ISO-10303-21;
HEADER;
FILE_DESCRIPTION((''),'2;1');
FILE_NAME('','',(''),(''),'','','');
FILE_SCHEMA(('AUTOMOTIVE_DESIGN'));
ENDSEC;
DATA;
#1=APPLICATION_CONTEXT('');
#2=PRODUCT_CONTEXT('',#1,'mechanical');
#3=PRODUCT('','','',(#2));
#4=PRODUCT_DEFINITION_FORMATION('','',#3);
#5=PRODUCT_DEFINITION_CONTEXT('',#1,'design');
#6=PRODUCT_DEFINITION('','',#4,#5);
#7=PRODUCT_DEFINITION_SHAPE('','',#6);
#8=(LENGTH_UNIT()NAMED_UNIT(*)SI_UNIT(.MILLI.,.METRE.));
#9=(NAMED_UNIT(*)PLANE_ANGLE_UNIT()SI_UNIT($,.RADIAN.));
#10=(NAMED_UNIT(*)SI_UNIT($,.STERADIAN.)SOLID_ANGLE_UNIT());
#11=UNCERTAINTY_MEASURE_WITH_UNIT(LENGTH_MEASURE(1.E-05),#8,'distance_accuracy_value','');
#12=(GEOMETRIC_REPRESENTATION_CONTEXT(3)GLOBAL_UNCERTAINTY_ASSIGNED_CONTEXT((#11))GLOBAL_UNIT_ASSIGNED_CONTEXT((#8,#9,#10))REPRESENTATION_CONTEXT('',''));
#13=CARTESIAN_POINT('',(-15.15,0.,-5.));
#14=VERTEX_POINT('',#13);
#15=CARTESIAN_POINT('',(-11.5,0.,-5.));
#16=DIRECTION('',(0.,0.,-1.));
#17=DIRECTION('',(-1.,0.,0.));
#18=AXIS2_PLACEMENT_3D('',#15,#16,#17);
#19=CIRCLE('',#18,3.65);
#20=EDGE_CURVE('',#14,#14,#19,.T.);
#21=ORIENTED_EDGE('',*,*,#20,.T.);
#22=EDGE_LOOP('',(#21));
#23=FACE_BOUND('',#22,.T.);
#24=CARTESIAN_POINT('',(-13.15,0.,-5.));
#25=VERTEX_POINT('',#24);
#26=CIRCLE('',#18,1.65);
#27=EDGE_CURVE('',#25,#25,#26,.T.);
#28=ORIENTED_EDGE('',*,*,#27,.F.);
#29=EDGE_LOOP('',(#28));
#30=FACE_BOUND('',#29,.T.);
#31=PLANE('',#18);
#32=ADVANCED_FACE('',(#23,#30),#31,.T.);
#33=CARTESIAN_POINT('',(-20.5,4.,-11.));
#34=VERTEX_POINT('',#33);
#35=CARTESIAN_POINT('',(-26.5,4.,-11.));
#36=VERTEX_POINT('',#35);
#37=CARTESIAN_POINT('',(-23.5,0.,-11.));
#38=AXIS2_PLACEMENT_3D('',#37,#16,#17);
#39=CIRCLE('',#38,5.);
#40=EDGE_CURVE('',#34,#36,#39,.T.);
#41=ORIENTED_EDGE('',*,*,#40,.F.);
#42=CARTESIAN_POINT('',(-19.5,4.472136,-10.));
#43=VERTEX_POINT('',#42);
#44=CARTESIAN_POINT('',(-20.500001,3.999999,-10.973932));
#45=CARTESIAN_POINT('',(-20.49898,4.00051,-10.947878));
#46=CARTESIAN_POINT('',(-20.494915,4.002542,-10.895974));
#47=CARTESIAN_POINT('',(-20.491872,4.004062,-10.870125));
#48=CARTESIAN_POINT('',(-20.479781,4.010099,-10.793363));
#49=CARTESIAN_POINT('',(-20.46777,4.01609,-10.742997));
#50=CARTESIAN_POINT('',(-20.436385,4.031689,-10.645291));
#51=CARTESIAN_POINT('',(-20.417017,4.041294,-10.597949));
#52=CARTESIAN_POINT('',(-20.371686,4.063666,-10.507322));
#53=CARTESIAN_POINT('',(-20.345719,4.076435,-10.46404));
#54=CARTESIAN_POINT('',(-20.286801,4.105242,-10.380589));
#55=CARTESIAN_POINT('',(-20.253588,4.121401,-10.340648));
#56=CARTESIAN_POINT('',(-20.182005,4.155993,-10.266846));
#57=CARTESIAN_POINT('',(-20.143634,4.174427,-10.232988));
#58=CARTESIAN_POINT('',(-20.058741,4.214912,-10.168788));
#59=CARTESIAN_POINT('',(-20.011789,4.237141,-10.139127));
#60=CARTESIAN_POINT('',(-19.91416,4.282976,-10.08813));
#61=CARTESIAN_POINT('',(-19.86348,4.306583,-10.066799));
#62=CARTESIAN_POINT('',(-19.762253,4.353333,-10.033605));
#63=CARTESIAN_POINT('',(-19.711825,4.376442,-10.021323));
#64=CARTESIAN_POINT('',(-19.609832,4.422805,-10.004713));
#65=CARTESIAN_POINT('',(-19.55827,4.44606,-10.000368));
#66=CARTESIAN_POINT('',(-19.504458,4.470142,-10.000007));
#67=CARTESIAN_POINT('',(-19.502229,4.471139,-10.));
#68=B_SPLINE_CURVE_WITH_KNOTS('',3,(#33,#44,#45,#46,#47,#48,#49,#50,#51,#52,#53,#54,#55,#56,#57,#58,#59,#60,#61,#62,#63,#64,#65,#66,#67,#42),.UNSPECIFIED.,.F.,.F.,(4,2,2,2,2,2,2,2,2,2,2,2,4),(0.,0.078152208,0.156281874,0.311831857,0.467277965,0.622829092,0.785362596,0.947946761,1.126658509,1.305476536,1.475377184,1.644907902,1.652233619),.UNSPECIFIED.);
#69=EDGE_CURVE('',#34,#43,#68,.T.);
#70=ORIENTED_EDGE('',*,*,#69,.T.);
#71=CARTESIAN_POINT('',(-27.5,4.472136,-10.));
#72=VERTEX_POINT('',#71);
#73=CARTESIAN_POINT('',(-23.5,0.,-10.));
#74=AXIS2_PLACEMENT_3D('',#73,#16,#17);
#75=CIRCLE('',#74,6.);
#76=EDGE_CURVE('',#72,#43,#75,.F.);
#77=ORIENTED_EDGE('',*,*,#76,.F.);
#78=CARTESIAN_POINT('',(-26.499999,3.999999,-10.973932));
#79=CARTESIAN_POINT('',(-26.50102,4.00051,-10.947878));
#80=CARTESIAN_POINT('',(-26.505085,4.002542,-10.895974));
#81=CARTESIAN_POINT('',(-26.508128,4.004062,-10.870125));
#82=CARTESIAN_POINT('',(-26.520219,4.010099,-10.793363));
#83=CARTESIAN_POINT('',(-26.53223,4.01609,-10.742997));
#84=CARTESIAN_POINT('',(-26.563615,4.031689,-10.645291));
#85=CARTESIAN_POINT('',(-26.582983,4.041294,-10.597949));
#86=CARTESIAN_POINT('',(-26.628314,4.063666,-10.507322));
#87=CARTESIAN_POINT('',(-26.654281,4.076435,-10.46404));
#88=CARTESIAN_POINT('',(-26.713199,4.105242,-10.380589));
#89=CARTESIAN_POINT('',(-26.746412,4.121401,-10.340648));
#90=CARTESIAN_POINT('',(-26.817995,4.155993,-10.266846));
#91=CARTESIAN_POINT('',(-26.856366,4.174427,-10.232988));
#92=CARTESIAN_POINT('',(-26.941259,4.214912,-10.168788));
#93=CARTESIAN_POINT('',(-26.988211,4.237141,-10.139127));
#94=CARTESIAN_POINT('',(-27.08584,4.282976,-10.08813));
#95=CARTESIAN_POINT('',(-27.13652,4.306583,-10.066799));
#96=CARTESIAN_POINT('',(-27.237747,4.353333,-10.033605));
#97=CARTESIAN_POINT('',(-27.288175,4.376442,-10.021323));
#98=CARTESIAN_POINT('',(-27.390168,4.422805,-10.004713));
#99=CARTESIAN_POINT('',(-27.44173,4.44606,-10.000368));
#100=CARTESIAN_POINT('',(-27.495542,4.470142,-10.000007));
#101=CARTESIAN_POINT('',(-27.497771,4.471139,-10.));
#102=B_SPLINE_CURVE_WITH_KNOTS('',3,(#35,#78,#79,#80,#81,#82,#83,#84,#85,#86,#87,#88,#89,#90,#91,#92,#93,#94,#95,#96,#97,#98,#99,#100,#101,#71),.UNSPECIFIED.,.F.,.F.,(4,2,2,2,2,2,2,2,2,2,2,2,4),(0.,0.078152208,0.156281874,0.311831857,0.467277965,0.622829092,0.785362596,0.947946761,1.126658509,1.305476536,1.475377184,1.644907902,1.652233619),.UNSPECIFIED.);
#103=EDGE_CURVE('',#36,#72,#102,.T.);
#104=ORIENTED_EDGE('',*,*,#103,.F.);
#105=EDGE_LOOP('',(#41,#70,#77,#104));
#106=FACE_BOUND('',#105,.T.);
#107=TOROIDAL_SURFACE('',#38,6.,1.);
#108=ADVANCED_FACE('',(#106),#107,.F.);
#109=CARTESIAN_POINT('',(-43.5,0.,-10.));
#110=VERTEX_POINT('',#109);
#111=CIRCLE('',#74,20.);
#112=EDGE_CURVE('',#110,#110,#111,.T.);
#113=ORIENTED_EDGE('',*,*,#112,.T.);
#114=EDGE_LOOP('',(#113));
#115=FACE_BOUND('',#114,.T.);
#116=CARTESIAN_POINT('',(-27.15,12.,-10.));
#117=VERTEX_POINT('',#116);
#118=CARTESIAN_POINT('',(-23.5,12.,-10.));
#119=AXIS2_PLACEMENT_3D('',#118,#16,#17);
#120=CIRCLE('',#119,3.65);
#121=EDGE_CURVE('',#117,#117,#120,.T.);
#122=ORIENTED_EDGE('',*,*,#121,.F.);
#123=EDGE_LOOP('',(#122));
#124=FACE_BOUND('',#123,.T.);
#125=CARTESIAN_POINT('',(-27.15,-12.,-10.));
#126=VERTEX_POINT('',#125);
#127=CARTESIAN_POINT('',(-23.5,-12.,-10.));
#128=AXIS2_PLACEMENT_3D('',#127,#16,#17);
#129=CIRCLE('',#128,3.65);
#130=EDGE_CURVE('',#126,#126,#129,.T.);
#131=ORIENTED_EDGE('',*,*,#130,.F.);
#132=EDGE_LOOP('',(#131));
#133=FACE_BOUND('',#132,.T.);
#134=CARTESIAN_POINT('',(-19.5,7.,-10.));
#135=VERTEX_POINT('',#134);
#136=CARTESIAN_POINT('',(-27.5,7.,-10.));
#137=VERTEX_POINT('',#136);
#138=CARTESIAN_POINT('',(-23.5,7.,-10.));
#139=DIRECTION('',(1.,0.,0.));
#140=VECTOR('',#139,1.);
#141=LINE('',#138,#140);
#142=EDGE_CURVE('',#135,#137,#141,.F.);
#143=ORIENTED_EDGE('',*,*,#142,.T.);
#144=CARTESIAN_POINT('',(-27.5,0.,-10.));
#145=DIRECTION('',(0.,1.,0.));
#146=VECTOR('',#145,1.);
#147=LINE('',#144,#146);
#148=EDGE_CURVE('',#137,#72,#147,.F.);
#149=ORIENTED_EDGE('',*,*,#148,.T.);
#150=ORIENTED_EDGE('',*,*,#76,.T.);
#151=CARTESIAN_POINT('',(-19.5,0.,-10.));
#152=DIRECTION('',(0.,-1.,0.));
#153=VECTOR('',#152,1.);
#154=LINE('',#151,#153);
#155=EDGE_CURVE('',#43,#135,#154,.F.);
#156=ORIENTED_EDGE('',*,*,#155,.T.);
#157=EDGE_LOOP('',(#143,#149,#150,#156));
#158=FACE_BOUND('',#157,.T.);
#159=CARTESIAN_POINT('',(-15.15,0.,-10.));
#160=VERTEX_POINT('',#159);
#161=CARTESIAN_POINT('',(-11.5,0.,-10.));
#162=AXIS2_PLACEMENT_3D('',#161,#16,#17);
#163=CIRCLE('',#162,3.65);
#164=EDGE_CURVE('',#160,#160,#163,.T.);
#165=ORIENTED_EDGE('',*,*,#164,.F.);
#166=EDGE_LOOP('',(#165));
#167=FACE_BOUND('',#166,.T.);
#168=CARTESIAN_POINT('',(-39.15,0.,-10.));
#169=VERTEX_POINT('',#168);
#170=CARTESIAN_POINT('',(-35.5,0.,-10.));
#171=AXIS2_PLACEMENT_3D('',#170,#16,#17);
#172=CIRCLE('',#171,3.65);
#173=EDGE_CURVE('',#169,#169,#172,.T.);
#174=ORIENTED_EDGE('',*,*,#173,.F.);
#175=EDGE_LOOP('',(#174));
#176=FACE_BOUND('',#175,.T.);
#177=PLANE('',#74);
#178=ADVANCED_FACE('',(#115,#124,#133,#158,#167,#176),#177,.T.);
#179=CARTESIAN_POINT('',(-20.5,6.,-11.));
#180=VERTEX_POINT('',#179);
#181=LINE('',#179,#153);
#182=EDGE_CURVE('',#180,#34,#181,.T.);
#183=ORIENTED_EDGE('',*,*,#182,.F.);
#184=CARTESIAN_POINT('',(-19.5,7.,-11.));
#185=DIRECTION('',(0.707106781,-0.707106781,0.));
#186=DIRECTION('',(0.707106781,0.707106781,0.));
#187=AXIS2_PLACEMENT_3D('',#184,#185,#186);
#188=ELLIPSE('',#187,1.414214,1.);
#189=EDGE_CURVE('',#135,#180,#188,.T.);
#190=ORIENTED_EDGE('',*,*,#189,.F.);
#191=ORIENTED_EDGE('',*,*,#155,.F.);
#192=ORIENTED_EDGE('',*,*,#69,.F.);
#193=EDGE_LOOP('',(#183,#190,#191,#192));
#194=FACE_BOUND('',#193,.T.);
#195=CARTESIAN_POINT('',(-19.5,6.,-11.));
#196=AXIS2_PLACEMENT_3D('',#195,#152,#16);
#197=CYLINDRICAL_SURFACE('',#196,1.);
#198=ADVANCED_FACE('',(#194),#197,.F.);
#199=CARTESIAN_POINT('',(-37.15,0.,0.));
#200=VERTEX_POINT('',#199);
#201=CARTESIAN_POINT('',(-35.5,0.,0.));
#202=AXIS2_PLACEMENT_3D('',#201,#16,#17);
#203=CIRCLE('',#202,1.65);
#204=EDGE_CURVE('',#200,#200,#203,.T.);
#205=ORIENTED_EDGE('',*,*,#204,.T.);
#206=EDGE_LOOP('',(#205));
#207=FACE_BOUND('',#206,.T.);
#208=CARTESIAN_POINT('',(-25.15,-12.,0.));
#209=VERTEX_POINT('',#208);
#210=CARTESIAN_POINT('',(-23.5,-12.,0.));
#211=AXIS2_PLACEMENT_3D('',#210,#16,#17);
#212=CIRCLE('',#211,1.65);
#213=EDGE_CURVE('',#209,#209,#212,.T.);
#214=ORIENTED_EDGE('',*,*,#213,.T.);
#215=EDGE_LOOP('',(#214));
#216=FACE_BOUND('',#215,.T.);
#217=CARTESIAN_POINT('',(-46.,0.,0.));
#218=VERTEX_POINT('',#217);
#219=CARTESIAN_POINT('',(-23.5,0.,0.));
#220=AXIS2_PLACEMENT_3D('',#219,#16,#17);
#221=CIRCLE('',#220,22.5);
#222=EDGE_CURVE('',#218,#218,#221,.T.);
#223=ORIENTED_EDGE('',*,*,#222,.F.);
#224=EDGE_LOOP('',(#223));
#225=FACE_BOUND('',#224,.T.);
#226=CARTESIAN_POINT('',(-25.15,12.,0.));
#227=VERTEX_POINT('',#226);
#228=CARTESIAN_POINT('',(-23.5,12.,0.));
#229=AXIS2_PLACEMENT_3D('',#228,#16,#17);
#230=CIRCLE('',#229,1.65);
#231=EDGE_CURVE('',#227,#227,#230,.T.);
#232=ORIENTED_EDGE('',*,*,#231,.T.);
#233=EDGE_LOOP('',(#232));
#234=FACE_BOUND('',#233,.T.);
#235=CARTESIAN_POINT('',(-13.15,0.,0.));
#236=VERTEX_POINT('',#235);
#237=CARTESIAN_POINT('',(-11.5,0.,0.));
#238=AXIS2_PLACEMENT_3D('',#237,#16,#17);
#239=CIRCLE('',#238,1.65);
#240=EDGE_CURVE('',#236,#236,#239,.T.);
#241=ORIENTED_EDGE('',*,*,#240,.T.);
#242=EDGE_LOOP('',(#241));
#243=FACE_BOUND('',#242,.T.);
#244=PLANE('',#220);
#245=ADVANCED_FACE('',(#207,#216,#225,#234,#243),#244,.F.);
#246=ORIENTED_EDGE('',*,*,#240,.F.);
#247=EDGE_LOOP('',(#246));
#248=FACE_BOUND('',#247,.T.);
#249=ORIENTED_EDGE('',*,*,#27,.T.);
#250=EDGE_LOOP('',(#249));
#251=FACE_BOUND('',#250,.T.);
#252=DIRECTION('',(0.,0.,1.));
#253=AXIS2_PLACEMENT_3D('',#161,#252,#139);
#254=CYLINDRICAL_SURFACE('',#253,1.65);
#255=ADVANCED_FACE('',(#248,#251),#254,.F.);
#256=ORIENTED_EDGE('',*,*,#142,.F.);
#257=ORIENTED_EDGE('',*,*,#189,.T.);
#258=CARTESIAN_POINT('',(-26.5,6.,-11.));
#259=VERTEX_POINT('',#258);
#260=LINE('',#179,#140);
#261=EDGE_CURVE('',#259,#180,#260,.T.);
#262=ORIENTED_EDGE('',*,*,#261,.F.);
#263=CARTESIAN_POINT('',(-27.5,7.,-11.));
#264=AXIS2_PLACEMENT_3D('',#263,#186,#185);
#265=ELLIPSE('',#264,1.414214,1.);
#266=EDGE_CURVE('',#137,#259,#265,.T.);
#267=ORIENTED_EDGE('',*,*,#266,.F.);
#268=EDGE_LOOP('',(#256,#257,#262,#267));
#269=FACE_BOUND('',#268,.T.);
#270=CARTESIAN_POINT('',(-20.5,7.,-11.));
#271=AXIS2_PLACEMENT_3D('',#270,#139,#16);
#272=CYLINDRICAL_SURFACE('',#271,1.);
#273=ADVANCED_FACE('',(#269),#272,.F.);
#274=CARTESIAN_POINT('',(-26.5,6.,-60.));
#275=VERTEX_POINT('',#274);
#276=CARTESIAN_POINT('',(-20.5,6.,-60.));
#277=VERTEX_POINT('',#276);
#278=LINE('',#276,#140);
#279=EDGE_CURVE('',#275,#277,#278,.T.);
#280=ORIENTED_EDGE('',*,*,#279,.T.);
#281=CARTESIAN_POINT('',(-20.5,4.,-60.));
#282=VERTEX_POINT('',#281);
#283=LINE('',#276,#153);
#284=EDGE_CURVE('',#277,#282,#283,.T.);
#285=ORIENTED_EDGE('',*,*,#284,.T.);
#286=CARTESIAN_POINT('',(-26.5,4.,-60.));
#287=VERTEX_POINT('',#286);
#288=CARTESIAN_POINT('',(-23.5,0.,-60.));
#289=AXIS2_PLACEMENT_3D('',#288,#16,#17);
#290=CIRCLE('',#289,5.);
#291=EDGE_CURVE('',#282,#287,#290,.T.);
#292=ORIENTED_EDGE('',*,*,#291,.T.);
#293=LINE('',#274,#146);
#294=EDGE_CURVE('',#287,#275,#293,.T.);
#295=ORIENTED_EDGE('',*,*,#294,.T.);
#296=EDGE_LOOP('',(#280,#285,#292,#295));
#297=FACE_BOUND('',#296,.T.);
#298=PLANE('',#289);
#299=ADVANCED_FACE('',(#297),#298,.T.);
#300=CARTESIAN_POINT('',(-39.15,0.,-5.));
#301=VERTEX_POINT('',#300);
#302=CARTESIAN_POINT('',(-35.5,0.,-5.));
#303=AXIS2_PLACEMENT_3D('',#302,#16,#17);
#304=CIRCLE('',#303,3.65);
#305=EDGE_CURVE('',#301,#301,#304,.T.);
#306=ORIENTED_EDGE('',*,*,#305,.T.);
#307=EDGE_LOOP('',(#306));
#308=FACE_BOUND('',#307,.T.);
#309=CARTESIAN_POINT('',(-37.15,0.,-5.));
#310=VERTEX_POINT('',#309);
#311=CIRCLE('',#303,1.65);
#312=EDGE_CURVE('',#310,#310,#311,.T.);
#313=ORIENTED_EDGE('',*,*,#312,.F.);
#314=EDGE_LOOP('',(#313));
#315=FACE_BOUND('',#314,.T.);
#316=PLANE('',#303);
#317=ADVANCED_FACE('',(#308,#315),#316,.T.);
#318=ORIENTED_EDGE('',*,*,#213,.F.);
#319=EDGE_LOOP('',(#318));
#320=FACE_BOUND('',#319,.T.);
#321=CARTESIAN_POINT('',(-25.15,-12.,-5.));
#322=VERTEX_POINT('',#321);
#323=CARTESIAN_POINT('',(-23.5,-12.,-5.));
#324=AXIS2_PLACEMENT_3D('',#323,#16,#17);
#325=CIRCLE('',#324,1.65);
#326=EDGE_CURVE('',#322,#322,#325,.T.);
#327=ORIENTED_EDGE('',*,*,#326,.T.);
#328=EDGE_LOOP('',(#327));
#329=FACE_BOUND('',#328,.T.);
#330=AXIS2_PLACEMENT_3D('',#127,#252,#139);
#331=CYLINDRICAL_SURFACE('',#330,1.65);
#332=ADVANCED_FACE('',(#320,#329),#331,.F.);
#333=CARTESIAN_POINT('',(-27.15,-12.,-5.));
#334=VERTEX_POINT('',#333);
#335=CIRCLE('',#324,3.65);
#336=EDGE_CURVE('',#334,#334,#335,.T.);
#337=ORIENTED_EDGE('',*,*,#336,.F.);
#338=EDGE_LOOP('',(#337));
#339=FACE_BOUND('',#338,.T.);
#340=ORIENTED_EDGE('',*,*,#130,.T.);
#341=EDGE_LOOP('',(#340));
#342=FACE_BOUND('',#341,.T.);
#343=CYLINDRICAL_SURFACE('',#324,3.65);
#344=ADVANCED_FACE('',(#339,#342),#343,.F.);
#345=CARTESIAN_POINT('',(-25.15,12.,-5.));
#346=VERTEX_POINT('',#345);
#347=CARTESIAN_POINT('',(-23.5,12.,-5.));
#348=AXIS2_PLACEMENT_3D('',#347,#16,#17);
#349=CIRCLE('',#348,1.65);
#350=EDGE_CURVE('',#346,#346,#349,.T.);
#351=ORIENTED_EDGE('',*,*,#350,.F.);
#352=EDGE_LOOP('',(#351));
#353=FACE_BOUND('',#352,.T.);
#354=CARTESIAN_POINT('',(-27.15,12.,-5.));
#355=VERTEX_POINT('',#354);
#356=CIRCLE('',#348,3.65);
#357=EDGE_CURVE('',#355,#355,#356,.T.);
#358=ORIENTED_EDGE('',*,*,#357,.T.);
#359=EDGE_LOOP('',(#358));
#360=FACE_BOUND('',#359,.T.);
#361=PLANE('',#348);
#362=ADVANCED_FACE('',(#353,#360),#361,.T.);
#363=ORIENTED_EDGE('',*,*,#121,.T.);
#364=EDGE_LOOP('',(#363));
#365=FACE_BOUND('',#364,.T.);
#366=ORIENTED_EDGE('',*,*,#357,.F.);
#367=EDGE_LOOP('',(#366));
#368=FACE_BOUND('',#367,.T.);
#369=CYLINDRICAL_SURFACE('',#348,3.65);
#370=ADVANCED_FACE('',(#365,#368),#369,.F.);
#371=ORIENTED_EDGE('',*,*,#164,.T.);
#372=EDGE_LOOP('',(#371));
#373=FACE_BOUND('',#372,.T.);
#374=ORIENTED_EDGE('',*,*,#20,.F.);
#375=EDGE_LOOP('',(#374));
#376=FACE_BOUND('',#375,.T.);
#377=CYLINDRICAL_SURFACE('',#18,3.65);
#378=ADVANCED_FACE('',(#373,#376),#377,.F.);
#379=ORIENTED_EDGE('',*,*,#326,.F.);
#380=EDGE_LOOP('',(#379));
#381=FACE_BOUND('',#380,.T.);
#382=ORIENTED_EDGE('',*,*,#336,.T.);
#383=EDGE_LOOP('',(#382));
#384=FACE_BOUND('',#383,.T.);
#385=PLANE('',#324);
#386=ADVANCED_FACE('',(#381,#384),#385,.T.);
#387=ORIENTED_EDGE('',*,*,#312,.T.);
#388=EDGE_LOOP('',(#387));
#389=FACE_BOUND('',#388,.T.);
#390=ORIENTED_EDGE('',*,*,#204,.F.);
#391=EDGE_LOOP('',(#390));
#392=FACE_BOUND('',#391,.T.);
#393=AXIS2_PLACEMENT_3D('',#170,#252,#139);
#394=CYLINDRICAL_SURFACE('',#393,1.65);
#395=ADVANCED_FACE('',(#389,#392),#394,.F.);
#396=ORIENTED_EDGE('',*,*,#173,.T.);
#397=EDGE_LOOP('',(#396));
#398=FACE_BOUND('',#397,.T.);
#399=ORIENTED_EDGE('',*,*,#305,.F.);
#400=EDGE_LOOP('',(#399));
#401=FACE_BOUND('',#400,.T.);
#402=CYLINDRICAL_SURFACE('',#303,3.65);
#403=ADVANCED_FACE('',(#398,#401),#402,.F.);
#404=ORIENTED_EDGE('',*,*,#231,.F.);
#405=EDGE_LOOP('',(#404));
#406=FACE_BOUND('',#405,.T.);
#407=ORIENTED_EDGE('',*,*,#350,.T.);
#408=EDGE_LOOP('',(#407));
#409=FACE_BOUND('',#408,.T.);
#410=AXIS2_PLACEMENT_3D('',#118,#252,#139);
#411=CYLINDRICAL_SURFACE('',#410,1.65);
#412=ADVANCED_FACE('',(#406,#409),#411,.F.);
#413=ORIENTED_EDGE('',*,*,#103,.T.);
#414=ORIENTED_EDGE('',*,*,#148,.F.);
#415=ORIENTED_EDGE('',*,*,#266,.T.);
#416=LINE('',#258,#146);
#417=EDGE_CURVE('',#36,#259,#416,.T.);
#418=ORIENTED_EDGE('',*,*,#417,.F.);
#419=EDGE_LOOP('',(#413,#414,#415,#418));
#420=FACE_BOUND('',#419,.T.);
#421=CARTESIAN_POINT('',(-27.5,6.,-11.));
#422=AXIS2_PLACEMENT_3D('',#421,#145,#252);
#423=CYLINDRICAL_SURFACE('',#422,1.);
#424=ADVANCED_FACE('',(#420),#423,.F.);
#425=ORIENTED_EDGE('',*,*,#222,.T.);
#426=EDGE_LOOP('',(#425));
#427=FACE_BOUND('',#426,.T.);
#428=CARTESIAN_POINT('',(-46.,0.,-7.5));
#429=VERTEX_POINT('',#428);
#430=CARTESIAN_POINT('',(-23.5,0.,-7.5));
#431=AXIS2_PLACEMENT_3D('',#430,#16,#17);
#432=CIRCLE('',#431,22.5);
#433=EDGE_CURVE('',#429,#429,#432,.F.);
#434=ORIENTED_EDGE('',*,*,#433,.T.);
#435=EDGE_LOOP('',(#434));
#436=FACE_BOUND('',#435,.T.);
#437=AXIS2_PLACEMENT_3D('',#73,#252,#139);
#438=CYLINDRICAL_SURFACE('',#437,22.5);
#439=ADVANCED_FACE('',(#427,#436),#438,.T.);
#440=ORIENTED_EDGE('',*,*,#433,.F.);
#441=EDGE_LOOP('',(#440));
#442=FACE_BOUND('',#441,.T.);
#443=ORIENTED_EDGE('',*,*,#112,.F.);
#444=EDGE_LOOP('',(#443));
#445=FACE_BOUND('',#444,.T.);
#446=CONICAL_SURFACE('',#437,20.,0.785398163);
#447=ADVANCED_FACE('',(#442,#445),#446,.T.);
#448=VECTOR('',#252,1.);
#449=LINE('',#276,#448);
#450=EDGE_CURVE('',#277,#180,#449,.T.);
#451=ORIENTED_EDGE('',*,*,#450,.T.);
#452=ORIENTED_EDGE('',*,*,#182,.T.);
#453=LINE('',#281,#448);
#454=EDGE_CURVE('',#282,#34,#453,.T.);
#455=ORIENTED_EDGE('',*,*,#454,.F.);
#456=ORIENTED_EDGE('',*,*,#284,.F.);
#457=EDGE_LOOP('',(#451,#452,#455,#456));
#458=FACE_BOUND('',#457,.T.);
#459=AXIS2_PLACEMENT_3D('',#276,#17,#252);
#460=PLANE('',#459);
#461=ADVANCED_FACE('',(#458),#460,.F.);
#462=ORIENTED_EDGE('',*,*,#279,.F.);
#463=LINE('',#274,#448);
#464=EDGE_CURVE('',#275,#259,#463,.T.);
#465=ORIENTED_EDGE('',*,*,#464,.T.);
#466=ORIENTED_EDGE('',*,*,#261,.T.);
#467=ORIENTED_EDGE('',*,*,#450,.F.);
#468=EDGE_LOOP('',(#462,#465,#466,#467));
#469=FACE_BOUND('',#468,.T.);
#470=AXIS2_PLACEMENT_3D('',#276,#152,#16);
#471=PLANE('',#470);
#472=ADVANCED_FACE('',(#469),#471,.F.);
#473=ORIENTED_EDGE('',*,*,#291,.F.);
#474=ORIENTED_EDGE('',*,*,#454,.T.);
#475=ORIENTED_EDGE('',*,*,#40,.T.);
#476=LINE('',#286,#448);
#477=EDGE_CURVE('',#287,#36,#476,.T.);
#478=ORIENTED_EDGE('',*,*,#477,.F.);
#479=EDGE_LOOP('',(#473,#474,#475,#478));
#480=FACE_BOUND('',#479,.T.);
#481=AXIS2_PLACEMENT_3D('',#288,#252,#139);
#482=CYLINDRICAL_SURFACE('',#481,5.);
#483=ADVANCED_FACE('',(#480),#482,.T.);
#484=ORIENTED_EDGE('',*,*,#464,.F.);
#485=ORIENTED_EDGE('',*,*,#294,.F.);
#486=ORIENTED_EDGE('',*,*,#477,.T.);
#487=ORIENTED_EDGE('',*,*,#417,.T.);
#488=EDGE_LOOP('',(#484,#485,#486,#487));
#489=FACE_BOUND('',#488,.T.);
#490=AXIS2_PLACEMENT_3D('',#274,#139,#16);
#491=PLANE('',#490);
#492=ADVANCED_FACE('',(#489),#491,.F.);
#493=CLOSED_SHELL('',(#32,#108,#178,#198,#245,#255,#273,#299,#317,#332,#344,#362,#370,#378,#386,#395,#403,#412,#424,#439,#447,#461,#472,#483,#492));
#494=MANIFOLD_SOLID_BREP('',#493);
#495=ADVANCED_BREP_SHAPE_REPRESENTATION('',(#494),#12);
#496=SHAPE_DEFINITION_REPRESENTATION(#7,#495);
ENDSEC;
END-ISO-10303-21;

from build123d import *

# Parameters (mm, degrees)
SKETCH8_R           = 22.5
SKETCH8_R_2         = 1.65
BOSS_EXTRUDE5_DEPTH = 10
SKETCH9_R           = 3.65
CUT_EXTRUDE1_DEPTH  = 5
BOSS_EXTRUDE6_DEPTH = 50
FILLET1_R           = 1
CHAMFER1_SIZE       = 2.5


with BuildPart() as part:
    # Sketch8 → Boss-Extrude5 (new body)
    with BuildSketch(Plane(origin=(-41, 0, 0), x_dir=(-1, 0, 0), z_dir=(0, 0, -1))):
        with Locations((-17.5, 0)):
            Circle(SKETCH8_R)
        with Locations((-17.5, 12)):
            Circle(SKETCH8_R_2, mode=Mode.SUBTRACT)
        with Locations((-5.5, 0)):
            Circle(SKETCH8_R_2, mode=Mode.SUBTRACT)
        with Locations((-17.5, -12)):
            Circle(SKETCH8_R_2, mode=Mode.SUBTRACT)
        with Locations((-29.5, 0)):
            Circle(SKETCH8_R_2, mode=Mode.SUBTRACT)
    extrude(amount=BOSS_EXTRUDE5_DEPTH)

    # Sketch9 → Cut-Extrude1 (cut, symmetric)
    with BuildSketch(Plane(origin=(0, 0, -10), x_dir=(-1, 0, 0), z_dir=(0, 0, -1))):
        with Locations((23.5, 12)):
            Circle(SKETCH9_R)
        with Locations((11.5, 0)):
            Circle(SKETCH9_R)
        with Locations((35.5, 0)):
            Circle(SKETCH9_R)
        with Locations((23.5, -12)):
            Circle(SKETCH9_R)
    extrude(amount=CUT_EXTRUDE1_DEPTH, both=True, mode=Mode.SUBTRACT)

    # Sketch10 → Boss-Extrude6 (add)
    with BuildSketch(Plane(origin=(0, 0, -10), x_dir=(-1, 0, 0), z_dir=(0, 0, -1))):
        with BuildLine():
            Line((20.5, 6), (26.5, 6))
            Line((26.5, 6), (26.5, 4))
            ThreePointArc((26.5, 4), (23.5, -5), (20.5, 4))
            Line((20.5, 4), (20.5, 6))
        make_face()
    extrude(amount=BOSS_EXTRUDE6_DEPTH)

    # Fillet1
    fillet1_edges = [part.edges().sort_by_distance(p)[0] for p in [
        (-23.5, -5, -10),
        (-26.5, 5, -10),
        (-23.5, 6, -10),
        (-20.5, 5, -10),
    ]]
    fillet(fillet1_edges, radius=FILLET1_R)

    # Chamfer1
    chamfer1_edges = [part.edges().sort_by_distance(p)[0] for p in [
        (-1, 0, -10),
    ]]
    chamfer(chamfer1_edges, length=CHAMFER1_SIZE)


solid = part.part
